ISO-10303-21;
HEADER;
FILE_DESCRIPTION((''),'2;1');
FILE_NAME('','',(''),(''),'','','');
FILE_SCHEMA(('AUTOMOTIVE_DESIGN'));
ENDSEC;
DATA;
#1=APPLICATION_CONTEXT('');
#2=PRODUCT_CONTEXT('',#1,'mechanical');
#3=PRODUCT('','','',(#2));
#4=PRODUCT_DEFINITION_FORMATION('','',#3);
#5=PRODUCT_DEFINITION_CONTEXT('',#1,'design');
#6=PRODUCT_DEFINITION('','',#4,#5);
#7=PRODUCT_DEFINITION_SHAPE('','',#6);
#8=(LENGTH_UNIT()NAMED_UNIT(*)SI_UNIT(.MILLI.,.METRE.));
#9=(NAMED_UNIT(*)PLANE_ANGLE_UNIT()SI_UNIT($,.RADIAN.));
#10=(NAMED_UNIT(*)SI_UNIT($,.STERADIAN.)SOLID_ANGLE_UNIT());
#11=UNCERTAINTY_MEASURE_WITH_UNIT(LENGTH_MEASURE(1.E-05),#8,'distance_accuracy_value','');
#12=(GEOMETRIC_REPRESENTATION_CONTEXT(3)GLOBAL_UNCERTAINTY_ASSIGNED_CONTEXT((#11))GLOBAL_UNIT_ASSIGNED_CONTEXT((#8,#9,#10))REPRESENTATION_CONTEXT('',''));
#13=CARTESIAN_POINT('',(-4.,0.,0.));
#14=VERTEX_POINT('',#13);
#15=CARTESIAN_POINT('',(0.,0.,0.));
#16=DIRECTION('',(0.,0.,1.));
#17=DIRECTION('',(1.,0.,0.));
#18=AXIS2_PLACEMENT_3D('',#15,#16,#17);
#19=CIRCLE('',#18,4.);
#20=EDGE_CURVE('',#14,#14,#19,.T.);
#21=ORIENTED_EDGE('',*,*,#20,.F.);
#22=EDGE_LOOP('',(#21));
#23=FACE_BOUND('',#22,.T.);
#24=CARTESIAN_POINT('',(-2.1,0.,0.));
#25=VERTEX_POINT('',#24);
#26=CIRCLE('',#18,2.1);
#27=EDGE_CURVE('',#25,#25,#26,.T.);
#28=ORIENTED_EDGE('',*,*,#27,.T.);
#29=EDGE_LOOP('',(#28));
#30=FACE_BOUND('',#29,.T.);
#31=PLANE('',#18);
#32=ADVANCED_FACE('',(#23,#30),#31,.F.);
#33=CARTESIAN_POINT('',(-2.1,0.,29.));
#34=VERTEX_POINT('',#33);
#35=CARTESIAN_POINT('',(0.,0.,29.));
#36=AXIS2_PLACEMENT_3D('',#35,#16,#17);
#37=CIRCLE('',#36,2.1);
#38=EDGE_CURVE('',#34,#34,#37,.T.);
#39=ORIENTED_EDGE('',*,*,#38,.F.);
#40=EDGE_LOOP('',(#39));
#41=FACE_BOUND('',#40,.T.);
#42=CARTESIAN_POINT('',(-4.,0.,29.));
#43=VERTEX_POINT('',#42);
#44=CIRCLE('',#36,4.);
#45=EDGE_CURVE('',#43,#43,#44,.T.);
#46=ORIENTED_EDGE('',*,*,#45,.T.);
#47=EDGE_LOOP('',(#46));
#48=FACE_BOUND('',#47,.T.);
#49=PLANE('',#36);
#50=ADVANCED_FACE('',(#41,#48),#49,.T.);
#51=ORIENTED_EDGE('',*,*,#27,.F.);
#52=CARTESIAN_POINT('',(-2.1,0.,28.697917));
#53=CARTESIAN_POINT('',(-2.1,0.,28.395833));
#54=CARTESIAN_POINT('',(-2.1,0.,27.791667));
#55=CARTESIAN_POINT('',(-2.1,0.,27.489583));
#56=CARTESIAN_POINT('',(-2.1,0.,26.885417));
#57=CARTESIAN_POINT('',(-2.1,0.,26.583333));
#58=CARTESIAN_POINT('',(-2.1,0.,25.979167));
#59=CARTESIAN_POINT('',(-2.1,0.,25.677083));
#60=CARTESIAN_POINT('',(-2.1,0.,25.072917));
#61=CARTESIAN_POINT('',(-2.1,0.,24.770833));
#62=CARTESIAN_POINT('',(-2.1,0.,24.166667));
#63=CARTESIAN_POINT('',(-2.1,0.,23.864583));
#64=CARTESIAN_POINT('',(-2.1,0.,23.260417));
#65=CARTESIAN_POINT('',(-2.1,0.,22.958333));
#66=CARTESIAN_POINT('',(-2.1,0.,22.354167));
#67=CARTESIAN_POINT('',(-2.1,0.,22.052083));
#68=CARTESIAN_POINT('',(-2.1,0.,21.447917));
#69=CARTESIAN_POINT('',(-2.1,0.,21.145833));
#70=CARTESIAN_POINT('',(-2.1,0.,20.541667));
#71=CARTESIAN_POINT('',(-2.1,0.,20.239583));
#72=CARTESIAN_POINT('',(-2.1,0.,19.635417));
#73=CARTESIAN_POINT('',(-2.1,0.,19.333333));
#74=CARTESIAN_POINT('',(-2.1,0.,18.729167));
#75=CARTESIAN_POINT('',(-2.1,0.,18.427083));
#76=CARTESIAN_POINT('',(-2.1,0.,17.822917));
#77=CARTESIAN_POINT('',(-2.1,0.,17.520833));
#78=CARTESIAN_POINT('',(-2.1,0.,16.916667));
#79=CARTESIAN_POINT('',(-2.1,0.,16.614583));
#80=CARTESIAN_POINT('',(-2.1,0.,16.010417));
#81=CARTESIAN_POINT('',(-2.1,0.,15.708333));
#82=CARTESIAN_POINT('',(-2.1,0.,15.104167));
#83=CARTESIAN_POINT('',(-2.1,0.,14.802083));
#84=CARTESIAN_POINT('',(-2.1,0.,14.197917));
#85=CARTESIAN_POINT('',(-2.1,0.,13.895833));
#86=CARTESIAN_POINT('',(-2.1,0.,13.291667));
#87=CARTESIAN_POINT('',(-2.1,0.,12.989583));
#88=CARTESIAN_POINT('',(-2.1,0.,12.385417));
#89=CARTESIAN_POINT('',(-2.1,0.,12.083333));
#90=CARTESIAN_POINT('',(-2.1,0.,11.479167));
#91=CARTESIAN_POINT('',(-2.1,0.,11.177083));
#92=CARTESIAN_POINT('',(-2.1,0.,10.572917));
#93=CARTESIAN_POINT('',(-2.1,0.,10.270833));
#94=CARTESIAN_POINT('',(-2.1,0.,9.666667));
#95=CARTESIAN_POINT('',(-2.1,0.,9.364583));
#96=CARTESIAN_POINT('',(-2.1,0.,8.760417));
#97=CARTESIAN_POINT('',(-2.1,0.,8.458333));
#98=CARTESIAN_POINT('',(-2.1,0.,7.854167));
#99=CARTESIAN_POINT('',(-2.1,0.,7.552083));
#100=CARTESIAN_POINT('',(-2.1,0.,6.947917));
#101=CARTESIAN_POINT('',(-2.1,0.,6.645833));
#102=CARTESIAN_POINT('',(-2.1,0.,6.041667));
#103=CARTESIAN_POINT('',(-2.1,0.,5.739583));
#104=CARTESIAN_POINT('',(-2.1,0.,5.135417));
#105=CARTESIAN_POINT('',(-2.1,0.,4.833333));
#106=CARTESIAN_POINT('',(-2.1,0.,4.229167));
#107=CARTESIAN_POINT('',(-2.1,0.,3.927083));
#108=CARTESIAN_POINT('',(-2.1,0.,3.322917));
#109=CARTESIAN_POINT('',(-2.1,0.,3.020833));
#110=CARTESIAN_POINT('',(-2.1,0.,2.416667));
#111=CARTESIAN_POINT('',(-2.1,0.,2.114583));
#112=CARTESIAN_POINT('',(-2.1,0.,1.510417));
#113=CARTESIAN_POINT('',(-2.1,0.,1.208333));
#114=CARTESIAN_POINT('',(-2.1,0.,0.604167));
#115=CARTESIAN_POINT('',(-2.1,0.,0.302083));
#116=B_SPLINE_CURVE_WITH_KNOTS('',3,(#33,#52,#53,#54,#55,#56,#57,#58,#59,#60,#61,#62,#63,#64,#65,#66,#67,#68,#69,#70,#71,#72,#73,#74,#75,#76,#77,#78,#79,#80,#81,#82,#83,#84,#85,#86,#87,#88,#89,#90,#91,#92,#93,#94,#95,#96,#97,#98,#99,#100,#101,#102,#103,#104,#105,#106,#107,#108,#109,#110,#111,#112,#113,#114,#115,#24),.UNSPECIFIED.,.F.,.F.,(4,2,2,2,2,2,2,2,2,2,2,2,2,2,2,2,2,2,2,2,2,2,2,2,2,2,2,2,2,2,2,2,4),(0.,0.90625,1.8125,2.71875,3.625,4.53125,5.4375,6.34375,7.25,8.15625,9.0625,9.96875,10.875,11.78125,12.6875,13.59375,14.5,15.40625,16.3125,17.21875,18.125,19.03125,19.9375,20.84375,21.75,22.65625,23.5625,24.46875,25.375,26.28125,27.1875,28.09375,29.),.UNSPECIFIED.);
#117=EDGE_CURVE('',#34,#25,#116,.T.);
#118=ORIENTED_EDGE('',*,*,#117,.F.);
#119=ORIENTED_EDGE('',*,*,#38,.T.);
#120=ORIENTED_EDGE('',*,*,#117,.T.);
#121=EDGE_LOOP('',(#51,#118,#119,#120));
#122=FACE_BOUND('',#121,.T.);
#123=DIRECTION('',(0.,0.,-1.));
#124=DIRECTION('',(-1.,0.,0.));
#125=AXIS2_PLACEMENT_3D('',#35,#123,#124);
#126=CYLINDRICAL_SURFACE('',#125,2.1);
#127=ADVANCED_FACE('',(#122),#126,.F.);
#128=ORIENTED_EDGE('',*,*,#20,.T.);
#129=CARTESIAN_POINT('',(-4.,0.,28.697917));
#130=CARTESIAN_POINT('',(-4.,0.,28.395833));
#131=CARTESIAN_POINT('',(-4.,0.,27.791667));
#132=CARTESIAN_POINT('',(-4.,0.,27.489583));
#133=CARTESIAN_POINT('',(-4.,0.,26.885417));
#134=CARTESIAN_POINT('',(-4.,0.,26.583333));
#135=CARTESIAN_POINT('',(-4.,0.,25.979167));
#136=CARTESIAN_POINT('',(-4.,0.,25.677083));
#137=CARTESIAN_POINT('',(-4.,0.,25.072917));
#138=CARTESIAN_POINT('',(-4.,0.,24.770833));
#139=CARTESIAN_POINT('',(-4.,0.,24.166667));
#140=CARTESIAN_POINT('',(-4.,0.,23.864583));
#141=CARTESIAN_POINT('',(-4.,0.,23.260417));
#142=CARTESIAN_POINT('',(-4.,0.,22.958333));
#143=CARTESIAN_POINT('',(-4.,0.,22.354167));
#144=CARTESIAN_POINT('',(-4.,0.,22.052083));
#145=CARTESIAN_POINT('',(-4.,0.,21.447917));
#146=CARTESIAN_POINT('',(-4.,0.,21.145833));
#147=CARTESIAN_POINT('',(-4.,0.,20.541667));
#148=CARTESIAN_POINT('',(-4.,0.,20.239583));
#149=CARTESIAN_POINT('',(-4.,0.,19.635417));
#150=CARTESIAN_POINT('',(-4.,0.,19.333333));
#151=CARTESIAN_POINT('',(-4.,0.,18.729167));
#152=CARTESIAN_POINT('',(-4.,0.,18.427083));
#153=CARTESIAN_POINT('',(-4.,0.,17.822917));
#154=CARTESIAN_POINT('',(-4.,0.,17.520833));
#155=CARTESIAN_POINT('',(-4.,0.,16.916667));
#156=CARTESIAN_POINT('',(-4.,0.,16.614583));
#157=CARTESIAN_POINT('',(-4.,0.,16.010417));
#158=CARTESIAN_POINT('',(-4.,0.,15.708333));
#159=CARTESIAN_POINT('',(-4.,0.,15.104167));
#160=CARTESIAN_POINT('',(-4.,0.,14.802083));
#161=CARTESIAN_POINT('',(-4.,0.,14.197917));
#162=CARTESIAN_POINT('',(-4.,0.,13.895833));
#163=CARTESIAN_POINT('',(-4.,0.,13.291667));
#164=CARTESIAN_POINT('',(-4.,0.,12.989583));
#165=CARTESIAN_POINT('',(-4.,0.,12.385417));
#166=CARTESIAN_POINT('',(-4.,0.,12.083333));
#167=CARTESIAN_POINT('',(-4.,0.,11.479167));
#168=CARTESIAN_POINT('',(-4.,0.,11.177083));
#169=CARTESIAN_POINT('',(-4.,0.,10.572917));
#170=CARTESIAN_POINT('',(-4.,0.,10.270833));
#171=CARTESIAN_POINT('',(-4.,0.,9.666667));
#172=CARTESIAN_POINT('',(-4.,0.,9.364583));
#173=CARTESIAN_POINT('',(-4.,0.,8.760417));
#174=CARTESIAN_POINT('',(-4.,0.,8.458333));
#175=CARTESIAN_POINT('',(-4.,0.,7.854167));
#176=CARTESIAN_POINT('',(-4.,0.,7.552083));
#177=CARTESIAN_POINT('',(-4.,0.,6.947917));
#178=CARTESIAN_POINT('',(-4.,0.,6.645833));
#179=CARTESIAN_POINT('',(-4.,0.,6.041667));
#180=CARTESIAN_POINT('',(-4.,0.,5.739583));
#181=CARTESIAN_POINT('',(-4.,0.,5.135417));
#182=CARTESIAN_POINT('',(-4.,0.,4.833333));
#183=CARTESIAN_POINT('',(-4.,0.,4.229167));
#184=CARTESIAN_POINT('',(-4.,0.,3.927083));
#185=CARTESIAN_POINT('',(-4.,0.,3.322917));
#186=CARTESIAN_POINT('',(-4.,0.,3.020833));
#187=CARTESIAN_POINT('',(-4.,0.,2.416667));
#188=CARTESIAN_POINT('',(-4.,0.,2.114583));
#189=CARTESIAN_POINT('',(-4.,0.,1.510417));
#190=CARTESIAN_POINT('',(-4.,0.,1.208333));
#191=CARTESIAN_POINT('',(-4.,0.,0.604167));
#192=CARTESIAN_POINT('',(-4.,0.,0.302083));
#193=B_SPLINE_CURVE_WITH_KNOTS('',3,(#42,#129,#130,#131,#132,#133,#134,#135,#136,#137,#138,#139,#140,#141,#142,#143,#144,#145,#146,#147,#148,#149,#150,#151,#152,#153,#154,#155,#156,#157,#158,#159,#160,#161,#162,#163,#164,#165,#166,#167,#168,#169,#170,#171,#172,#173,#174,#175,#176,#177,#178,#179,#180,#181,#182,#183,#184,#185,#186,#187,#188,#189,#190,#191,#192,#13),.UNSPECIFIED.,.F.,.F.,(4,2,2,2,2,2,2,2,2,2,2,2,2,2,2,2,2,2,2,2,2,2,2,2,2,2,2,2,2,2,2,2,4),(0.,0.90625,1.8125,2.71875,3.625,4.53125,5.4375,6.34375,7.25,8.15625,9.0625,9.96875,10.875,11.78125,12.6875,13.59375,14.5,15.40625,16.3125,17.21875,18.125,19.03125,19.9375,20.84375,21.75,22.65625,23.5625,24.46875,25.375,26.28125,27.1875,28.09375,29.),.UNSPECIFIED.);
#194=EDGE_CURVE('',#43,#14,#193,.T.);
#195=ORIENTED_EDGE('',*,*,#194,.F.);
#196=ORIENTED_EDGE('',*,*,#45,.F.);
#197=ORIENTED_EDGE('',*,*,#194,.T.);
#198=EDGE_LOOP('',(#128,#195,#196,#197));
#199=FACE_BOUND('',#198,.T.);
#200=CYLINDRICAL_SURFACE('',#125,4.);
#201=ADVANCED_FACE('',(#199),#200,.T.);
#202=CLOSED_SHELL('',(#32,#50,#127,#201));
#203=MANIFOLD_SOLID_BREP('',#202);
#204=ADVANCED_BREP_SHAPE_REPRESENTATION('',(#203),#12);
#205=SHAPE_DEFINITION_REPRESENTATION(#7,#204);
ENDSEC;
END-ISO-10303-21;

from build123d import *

# Parameters (mm, degrees)
SKETCH_1_R      = 4
SKETCH_1_R_2    = 2.1
EXTRUDE_1_DEPTH = 29


with BuildPart() as part:
    # ｽｹｯﾁ1 → ﾎﾞｽ - 押し出し1 (new body)
    with BuildSketch(Plane.XY):
        with Locations(Location((0, 0, 0), (0, 0, 180))):
            Circle(SKETCH_1_R)
        with Locations(Location((0, 0, 0), (0, 0, 180))):
            Circle(SKETCH_1_R_2, mode=Mode.SUBTRACT)
    extrude(amount=EXTRUDE_1_DEPTH)


solid = part.part
